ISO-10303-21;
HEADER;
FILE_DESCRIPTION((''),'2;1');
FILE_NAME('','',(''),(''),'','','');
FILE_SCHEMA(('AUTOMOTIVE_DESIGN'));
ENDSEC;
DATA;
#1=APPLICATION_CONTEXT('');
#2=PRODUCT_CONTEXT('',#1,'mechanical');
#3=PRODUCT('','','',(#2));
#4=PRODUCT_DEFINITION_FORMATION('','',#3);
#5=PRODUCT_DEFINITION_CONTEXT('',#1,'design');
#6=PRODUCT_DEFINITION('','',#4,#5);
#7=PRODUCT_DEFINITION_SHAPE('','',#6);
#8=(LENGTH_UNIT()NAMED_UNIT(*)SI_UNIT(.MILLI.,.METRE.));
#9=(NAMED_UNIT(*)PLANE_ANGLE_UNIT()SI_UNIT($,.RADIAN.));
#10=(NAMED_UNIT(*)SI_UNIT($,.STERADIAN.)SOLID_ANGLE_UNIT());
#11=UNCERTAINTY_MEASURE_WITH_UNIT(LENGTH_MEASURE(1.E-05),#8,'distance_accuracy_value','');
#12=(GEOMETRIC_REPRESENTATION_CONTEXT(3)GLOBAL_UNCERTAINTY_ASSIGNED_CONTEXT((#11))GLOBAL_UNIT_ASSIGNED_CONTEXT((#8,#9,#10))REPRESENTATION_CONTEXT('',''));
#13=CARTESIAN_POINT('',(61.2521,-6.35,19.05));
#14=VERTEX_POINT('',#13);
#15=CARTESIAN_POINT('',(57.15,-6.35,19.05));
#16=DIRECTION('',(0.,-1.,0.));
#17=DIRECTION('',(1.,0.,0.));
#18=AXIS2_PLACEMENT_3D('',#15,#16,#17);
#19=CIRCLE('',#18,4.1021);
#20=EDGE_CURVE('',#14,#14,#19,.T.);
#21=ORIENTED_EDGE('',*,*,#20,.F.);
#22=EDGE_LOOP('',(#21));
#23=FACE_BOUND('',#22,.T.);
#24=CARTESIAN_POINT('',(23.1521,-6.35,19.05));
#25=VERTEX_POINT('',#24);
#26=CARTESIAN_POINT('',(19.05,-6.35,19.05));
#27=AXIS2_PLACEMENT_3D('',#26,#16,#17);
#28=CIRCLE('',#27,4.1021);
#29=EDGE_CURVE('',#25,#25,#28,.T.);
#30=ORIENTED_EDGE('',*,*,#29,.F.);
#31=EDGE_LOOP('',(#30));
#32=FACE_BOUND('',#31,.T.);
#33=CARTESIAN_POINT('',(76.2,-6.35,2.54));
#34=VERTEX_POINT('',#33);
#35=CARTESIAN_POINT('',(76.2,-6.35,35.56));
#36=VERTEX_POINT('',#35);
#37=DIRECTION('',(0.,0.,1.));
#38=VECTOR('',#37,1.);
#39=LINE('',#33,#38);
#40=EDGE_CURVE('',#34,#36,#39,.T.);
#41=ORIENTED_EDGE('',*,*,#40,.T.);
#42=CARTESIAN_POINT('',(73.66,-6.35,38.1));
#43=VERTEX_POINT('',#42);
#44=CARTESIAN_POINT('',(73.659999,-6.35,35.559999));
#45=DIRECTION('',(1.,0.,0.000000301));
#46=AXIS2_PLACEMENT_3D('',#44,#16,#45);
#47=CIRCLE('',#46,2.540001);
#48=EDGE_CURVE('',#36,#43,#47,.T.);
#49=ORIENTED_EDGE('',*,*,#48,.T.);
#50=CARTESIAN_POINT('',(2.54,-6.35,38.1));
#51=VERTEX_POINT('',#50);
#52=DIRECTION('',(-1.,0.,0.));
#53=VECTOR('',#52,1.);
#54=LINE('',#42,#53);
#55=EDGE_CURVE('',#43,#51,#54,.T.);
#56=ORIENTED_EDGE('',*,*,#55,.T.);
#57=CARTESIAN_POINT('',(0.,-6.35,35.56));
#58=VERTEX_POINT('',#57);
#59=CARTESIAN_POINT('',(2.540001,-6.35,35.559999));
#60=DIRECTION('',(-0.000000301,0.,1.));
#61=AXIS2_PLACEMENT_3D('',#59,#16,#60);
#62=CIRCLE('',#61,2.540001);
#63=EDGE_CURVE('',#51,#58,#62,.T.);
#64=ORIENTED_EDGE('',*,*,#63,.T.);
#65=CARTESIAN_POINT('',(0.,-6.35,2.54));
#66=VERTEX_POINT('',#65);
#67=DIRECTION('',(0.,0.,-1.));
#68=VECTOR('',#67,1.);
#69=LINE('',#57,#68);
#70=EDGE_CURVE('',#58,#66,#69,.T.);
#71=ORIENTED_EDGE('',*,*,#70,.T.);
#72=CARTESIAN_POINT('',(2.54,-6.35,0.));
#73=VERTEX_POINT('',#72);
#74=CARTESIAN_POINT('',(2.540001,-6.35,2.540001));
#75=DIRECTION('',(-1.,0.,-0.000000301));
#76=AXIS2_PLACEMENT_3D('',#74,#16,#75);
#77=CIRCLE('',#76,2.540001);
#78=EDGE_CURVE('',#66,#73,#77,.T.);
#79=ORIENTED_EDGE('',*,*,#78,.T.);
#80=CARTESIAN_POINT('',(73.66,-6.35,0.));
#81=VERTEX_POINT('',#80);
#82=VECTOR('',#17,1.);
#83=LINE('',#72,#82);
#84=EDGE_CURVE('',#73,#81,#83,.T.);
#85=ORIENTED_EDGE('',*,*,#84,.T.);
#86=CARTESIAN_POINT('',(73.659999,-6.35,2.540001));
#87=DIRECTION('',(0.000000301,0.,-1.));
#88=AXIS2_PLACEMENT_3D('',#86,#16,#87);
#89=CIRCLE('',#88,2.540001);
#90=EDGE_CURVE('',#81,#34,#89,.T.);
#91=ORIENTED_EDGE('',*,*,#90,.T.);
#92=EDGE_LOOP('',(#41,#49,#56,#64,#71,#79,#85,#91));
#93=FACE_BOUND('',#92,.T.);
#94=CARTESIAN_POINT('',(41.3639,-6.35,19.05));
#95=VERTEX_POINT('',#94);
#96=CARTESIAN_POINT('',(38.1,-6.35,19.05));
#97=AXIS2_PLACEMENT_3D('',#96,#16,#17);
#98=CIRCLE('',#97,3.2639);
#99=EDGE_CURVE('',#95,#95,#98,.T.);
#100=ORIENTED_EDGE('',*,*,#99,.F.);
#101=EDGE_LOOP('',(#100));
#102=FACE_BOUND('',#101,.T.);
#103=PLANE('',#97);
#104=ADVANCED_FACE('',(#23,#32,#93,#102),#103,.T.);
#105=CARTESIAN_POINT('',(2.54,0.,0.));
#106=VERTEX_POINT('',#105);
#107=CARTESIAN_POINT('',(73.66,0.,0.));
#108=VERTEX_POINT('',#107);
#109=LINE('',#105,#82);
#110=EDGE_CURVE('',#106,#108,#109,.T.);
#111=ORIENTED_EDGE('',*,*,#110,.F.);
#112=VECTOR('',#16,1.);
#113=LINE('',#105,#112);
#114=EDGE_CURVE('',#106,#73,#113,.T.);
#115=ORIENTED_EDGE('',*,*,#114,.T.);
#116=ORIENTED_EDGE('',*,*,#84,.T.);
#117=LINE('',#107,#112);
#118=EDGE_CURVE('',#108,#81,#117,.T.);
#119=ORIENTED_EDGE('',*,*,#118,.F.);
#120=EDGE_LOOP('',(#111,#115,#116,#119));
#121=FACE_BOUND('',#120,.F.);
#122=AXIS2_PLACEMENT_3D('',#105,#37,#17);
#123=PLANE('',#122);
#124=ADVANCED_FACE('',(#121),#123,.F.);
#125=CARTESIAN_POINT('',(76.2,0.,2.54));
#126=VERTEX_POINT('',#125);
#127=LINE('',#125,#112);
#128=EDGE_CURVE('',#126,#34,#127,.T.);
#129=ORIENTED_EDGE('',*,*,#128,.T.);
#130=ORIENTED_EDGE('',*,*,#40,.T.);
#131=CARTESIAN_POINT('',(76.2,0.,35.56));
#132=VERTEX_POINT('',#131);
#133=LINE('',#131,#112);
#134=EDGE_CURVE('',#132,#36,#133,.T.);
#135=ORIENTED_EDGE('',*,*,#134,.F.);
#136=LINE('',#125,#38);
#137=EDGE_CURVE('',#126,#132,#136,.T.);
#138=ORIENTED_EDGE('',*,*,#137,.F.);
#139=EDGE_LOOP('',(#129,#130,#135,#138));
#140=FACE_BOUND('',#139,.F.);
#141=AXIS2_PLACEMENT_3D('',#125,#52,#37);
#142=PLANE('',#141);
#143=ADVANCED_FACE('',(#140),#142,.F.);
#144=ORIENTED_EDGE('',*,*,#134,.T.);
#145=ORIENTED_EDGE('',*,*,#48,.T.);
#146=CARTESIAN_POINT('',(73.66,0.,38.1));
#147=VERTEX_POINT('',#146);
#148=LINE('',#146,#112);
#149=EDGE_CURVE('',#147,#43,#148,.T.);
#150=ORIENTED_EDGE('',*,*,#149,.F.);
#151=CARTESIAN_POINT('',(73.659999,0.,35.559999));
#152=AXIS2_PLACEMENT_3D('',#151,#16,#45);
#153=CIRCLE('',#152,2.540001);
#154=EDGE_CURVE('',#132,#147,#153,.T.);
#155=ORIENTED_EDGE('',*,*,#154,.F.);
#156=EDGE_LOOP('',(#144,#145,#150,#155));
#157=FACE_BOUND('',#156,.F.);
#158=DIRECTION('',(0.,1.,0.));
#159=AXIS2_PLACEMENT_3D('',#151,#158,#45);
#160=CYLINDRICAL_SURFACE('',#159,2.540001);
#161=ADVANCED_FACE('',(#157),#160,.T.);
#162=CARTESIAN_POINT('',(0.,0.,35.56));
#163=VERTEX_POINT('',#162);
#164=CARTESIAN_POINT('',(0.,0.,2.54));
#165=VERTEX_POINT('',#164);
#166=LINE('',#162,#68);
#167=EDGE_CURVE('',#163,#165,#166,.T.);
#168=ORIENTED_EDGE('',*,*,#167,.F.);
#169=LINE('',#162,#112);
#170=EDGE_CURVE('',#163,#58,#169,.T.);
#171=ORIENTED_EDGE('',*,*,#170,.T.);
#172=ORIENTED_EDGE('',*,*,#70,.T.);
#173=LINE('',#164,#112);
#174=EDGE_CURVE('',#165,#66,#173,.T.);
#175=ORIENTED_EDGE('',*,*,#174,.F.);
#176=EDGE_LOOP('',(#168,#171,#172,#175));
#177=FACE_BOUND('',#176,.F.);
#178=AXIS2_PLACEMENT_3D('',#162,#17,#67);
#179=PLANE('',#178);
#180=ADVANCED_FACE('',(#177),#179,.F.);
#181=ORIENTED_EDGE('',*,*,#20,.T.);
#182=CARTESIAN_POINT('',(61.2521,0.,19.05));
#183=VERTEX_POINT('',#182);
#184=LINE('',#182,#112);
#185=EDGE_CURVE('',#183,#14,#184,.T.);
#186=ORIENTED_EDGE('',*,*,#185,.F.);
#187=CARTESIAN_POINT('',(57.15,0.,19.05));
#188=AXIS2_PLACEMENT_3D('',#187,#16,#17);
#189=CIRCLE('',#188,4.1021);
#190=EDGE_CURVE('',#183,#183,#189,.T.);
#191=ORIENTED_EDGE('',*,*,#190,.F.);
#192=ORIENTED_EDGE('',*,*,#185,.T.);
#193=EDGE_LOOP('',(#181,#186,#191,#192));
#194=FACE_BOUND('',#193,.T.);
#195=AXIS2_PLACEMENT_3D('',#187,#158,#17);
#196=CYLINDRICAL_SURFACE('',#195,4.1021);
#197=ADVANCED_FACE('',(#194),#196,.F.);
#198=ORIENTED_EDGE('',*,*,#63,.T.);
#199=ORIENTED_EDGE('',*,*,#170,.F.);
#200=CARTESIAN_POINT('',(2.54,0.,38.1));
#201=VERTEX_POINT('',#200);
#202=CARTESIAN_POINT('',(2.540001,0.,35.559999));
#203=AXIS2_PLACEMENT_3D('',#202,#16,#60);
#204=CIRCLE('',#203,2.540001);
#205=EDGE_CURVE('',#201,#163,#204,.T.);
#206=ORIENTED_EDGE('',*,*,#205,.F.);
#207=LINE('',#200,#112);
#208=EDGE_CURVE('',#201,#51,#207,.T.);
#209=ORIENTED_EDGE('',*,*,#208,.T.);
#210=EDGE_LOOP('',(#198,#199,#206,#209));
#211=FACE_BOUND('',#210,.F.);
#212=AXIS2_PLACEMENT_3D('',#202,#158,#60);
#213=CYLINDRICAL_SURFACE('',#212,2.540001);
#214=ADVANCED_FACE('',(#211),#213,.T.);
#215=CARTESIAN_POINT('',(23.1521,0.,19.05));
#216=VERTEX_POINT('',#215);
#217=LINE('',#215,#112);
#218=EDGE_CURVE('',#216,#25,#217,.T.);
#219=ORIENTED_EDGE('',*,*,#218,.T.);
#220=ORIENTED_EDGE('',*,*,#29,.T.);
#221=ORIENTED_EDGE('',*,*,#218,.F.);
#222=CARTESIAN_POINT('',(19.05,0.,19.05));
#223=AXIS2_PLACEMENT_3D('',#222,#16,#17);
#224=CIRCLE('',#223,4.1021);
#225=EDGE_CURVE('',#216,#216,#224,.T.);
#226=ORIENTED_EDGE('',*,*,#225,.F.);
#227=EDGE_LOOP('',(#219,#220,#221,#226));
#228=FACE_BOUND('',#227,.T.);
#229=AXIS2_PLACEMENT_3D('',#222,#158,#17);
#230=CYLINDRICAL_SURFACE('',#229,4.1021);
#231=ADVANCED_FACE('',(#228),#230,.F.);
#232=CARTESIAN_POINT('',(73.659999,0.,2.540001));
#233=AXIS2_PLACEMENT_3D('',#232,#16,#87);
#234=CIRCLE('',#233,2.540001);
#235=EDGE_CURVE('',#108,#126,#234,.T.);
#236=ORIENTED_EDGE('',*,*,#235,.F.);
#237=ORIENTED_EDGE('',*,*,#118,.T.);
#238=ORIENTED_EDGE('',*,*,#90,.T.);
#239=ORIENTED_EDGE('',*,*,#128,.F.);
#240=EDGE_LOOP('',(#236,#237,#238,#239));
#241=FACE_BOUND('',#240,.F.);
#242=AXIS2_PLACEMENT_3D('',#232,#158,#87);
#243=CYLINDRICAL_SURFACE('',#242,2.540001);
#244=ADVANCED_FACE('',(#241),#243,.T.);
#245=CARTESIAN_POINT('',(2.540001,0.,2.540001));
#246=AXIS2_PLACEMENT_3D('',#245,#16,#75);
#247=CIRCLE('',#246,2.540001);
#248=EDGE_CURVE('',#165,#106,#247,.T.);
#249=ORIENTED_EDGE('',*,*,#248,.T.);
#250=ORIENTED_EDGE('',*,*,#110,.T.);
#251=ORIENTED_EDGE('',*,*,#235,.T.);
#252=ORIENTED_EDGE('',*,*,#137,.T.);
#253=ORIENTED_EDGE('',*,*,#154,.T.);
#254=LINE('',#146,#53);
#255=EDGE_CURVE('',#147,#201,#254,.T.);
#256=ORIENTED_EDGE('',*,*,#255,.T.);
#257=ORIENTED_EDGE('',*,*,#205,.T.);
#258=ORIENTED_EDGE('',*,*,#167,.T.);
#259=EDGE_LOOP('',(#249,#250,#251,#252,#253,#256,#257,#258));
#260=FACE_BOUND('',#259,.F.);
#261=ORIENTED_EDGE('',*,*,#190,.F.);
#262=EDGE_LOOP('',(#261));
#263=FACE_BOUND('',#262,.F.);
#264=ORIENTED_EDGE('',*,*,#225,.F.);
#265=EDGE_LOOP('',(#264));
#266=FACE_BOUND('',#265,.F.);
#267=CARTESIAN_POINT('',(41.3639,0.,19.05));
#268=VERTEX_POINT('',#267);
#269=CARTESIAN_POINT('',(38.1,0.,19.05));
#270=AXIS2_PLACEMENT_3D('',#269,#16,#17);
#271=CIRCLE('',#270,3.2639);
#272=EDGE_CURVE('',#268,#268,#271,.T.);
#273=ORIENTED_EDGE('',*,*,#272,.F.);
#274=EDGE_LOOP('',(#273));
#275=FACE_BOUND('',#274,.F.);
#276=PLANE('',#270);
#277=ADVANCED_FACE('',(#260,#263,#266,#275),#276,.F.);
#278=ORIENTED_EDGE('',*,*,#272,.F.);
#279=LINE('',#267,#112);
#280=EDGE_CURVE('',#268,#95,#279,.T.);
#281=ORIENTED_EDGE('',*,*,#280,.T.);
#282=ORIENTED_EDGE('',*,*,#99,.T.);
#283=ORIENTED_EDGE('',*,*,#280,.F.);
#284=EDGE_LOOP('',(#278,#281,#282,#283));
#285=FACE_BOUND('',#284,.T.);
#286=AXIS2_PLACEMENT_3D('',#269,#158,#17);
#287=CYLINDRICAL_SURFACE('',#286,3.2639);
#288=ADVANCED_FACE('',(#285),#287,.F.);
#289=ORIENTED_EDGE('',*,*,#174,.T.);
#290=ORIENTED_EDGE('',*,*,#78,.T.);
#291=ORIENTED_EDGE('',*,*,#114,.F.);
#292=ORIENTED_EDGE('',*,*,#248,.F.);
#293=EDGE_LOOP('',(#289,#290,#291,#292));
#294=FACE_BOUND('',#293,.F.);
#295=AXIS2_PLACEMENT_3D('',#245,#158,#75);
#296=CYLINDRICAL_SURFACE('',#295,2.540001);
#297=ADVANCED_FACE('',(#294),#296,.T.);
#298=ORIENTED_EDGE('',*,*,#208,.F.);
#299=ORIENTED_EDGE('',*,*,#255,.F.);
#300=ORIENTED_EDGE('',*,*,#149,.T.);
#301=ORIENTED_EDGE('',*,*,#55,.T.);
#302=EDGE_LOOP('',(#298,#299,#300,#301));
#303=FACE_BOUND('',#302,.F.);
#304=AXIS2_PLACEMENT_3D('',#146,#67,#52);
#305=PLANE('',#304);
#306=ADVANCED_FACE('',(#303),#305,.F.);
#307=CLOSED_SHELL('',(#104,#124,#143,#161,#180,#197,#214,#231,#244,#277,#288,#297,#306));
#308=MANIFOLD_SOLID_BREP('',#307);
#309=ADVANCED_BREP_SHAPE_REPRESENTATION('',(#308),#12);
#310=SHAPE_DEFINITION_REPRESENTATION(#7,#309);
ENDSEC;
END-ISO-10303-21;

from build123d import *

# Parameters (mm, degrees)
F0_R     = 4.1021
F0_R_2   = 3.2639
F1_DEPTH = 6.35


with BuildPart() as f1:
    # F0 (on Front) → F1 (new body)
    with BuildSketch(Plane.XZ):
        with BuildLine():
            ThreePointArc((0, 2.54), (0.743949, 0.743949), (2.54, 0))
            Line((2.54, 0), (73.66, 0))
            ThreePointArc((73.66, 0), (75.456051, 0.743949), (76.2, 2.54))
            Line((76.2, 2.54), (76.2, 35.56))
            ThreePointArc((76.2, 35.56), (75.456051, 37.356051), (73.66, 38.1))
            Line((73.66, 38.1), (2.54, 38.1))
            ThreePointArc((2.54, 38.1), (0.743949, 37.356051), (0, 35.56))
            Line((0, 35.56), (0, 2.54))
        make_face()
        with Locations((19.05, 19.05)):
            Circle(F0_R, mode=Mode.SUBTRACT)
        with Locations((38.1, 19.05)):
            Circle(F0_R_2, mode=Mode.SUBTRACT)
        with Locations((57.15, 19.05)):
            Circle(F0_R, mode=Mode.SUBTRACT)
    extrude(amount=F1_DEPTH)


solid = f1.part
